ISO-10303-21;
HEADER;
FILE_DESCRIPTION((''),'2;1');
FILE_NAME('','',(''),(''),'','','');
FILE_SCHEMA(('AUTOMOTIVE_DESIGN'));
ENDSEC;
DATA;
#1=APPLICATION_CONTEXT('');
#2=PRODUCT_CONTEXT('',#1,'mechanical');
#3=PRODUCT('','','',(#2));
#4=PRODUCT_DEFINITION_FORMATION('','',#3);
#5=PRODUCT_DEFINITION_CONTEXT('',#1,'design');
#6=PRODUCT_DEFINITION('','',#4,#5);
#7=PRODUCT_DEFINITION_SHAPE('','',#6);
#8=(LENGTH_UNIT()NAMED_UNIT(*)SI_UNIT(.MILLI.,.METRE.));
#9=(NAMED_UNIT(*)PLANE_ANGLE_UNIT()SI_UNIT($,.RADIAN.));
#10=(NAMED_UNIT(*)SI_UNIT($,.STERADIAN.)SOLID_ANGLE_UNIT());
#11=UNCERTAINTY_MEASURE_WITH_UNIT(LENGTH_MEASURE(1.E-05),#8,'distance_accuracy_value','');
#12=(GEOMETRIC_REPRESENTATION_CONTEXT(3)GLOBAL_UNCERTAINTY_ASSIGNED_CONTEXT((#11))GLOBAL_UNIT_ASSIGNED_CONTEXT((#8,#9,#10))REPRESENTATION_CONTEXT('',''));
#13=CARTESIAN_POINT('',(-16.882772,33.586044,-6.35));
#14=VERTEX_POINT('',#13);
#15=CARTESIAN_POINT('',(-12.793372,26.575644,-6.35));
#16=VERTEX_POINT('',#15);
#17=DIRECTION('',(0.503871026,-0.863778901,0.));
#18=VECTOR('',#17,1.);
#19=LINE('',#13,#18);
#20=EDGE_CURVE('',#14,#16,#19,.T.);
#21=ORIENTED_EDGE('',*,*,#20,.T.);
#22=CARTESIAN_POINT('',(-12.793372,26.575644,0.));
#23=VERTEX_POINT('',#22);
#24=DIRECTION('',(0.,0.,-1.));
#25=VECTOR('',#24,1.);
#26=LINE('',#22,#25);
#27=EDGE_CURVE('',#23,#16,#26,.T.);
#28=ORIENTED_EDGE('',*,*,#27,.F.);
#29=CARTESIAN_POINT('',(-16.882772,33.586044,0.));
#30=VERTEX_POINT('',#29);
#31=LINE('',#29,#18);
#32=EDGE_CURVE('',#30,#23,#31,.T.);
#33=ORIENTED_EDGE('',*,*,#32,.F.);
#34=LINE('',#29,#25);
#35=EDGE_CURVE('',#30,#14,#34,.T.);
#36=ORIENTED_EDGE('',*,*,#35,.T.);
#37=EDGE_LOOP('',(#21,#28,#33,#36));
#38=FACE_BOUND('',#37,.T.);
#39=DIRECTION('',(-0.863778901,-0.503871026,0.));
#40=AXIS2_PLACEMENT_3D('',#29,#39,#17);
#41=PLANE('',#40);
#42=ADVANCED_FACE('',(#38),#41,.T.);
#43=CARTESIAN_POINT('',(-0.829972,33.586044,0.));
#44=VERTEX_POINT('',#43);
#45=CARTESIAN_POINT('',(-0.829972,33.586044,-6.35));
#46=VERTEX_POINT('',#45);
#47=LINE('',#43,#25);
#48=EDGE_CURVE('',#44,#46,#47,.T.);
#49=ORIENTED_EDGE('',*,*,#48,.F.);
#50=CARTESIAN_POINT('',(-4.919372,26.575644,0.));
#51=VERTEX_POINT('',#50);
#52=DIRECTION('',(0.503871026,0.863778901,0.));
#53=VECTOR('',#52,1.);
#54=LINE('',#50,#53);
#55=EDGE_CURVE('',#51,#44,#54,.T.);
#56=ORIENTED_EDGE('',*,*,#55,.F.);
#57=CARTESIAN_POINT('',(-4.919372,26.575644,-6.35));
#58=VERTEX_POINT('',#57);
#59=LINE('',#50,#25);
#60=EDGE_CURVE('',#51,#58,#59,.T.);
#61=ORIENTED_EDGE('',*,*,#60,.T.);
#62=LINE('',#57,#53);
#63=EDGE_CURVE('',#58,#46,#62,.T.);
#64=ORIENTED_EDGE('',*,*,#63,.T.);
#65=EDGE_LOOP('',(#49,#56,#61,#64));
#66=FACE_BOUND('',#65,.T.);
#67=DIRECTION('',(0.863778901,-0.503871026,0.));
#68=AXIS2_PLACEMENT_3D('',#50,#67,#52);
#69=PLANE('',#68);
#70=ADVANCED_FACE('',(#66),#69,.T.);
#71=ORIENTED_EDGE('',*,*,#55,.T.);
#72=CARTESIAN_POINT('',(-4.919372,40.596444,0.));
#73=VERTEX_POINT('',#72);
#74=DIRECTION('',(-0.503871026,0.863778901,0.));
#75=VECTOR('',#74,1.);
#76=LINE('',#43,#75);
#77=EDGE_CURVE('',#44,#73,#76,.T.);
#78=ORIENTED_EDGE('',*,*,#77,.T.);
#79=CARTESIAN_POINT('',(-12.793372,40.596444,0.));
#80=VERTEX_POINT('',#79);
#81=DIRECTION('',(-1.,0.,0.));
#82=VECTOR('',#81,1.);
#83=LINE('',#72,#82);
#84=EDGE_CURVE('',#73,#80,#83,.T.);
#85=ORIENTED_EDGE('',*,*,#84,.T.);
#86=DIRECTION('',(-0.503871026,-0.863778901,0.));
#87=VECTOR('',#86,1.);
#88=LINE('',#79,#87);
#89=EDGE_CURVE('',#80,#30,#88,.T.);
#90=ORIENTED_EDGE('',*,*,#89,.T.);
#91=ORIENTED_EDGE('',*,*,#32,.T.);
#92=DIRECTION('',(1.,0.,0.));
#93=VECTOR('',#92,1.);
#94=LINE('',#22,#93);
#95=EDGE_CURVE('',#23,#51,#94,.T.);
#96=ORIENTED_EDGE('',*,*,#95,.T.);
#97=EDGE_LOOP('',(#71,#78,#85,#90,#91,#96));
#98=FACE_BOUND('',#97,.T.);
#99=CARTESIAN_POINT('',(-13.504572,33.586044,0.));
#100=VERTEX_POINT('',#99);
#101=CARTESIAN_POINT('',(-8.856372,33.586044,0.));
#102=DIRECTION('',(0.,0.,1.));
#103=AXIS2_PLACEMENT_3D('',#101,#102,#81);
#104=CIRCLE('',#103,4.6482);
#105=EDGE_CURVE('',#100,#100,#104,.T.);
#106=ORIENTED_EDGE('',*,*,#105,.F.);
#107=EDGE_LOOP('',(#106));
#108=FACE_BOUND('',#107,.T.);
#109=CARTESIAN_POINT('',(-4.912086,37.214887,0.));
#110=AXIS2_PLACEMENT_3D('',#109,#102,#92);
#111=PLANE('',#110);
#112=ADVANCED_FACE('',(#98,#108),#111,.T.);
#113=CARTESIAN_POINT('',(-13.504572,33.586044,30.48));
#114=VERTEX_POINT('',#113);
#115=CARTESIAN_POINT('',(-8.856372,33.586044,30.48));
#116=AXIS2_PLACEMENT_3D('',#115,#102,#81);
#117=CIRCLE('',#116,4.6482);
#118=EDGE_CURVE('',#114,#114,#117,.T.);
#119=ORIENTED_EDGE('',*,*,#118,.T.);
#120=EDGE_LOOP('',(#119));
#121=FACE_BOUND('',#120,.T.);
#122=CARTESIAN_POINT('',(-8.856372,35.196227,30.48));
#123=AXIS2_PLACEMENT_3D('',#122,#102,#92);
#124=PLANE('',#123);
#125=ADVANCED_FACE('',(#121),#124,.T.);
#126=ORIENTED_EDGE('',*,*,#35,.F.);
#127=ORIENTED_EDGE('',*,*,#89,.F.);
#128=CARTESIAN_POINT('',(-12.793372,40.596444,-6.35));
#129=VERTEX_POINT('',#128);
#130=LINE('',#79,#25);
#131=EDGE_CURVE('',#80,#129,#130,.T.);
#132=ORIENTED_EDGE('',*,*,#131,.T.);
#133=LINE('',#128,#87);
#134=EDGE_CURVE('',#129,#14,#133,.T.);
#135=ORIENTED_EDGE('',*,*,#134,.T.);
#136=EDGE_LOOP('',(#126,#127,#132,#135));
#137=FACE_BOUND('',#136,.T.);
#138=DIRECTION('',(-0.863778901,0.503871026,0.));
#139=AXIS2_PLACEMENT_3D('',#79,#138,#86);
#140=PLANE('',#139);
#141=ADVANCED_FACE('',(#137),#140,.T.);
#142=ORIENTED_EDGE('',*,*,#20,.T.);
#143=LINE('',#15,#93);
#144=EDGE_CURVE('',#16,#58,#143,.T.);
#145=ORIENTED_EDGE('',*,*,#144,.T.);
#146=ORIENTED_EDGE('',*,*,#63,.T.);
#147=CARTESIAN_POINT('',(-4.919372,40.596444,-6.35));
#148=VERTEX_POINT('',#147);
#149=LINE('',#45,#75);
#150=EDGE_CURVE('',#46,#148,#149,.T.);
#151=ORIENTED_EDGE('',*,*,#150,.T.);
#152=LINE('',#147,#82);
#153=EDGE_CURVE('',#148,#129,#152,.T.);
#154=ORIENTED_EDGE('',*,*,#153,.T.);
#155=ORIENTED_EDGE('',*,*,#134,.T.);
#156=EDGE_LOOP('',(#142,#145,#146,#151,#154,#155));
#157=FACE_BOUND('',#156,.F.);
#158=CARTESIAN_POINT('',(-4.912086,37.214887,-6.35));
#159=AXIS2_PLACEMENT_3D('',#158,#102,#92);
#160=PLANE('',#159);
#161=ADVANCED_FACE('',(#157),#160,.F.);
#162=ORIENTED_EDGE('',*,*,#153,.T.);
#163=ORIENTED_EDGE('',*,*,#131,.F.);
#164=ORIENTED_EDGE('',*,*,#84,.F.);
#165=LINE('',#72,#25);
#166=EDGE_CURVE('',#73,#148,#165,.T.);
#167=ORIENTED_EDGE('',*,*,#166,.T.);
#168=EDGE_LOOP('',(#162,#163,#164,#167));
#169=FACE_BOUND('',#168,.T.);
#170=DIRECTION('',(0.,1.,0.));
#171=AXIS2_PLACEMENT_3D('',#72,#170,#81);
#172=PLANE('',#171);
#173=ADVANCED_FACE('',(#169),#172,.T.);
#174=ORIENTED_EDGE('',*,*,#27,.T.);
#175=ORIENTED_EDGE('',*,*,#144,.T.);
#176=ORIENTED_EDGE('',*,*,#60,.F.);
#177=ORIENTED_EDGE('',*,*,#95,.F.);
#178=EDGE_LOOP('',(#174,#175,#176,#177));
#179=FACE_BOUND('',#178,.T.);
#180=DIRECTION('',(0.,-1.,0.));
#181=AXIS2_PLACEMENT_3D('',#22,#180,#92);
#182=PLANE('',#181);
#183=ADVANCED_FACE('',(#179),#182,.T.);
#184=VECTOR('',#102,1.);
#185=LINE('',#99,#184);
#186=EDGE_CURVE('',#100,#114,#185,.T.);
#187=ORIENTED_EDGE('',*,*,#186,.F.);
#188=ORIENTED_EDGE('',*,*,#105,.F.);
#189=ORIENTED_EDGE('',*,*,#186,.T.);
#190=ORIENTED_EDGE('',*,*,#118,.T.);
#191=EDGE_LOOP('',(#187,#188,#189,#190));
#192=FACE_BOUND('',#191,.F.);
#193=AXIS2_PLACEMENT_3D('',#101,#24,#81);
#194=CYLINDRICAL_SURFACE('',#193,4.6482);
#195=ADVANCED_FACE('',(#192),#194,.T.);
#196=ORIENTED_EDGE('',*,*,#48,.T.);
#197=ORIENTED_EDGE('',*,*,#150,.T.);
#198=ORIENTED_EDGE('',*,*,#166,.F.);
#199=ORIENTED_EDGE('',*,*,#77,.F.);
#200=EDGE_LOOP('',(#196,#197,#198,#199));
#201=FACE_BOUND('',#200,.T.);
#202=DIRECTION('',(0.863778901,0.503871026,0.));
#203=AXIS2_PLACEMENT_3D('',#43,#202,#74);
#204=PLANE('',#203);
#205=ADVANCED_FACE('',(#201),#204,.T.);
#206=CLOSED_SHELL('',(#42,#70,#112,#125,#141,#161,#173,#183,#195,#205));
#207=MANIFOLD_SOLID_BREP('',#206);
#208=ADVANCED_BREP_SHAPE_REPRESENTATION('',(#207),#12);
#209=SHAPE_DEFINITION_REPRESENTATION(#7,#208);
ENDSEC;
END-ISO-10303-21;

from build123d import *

# Parameters (mm, degrees)
F1_DEPTH = 6.35
F3_DEPTH = 30.48


with BuildPart() as f1:
    # F0 (on Top) → F1 (new body)
    with BuildSketch(Plane.XY):
        with BuildLine():
            Line((-4.9193716261, 40.5964435692), (-8.8563716261, 40.5964435692))
            Line((-8.8563716261, 40.5964435692), (-8.8563716261, 38.2469435692))
            ThreePointArc((-8.8563716261, 38.2469435692), (-5.5606176297, 36.8817975657), (-4.1954716261, 33.5860435692))
            Line((-4.1954716261, 33.5860435692), (-0.8299716261, 33.5860435692))
            Line((-0.8299716261, 33.5860435692), (-4.9193716261, 40.5964435692))
        make_face()
        with BuildLine():
            Line((-8.8563716261, 38.2469435692), (-8.8563716261, 40.5964435692))
            Line((-8.8563716261, 40.5964435692), (-12.7933716261, 40.5964435692))
            Line((-12.7933716261, 40.5964435692), (-16.8827716261, 33.5860435692))
            Line((-16.8827716261, 33.5860435692), (-13.5172716261, 33.5860435692))
            ThreePointArc((-13.5172716261, 33.5860435692), (-12.1521256225, 36.8817975657), (-8.8563716261, 38.2469435692))
        make_face()
        with BuildLine():
            ThreePointArc((-8.8563716261, 28.9251435692), (-12.1521256225, 30.2902895728), (-13.5172716261, 33.5860435692))
            Line((-13.5172716261, 33.5860435692), (-16.8827716261, 33.5860435692))
            Line((-16.8827716261, 33.5860435692), (-12.7933716261, 26.5756435692))
            Line((-12.7933716261, 26.5756435692), (-8.8563716261, 26.5756435692))
            Line((-8.8563716261, 26.5756435692), (-8.8563716261, 28.9251435692))
        make_face()
        with BuildLine():
            Line((-0.8299716261, 33.5860435692), (-4.1954716261, 33.5860435692))
            ThreePointArc((-4.1954716261, 33.5860435692), (-5.5606176297, 30.2902895728), (-8.8563716261, 28.9251435692))
            Line((-8.8563716261, 28.9251435692), (-8.8563716261, 26.5756435692))
            Line((-8.8563716261, 26.5756435692), (-4.9193716261, 26.5756435692))
            Line((-4.9193716261, 26.5756435692), (-0.8299716261, 33.5860435692))
        make_face()
        with BuildLine():
            Line((-8.8563716261, 33.5860435692), (-8.8563716261, 38.2469435692))
            ThreePointArc((-8.8563716261, 38.2469435692), (-12.1521256225, 36.8817975657), (-13.5172716261, 33.5860435692))
            Line((-13.5172716261, 33.5860435692), (-8.8563716261, 33.5860435692))
        make_face()
        with BuildLine():
            ThreePointArc((-4.1954716261, 33.5860435692), (-5.5606176297, 36.8817975657), (-8.8563716261, 38.2469435692))
            Line((-8.8563716261, 38.2469435692), (-8.8563716261, 33.5860435692))
            Line((-8.8563716261, 33.5860435692), (-4.1954716261, 33.5860435692))
        make_face()
        with BuildLine():
            Line((-4.1954716261, 33.5860435692), (-8.8563716261, 33.5860435692))
            Line((-8.8563716261, 33.5860435692), (-8.8563716261, 28.9251435692))
            ThreePointArc((-8.8563716261, 28.9251435692), (-5.5606176297, 30.2902895728), (-4.1954716261, 33.5860435692))
        make_face()
        with BuildLine():
            Line((-8.8563716261, 28.9251435692), (-8.8563716261, 33.5860435692))
            Line((-8.8563716261, 33.5860435692), (-13.5172716261, 33.5860435692))
            ThreePointArc((-13.5172716261, 33.5860435692), (-12.1521256225, 30.2902895728), (-8.8563716261, 28.9251435692))
        make_face()
    extrude(amount=-F1_DEPTH)

    # F2 (on face) → F3 (join)
    with BuildSketch(Plane.XY):
        with BuildLine():
            Line((-13.5045716261, 33.5860435692), (-4.2081716261, 33.5860435692))
            ThreePointArc((-4.2081716261, 33.5860435692), (-8.8563716261, 38.2342435692), (-13.5045716261, 33.5860435692))
        make_face()
        with BuildLine():
            ThreePointArc((-13.5045716261, 33.5860435692), (-8.8563716261, 28.9378435692), (-4.2081716261, 33.5860435692))
            Line((-4.2081716261, 33.5860435692), (-13.5045716261, 33.5860435692))
        make_face()
    extrude(amount=F3_DEPTH)


solid = f1.part
